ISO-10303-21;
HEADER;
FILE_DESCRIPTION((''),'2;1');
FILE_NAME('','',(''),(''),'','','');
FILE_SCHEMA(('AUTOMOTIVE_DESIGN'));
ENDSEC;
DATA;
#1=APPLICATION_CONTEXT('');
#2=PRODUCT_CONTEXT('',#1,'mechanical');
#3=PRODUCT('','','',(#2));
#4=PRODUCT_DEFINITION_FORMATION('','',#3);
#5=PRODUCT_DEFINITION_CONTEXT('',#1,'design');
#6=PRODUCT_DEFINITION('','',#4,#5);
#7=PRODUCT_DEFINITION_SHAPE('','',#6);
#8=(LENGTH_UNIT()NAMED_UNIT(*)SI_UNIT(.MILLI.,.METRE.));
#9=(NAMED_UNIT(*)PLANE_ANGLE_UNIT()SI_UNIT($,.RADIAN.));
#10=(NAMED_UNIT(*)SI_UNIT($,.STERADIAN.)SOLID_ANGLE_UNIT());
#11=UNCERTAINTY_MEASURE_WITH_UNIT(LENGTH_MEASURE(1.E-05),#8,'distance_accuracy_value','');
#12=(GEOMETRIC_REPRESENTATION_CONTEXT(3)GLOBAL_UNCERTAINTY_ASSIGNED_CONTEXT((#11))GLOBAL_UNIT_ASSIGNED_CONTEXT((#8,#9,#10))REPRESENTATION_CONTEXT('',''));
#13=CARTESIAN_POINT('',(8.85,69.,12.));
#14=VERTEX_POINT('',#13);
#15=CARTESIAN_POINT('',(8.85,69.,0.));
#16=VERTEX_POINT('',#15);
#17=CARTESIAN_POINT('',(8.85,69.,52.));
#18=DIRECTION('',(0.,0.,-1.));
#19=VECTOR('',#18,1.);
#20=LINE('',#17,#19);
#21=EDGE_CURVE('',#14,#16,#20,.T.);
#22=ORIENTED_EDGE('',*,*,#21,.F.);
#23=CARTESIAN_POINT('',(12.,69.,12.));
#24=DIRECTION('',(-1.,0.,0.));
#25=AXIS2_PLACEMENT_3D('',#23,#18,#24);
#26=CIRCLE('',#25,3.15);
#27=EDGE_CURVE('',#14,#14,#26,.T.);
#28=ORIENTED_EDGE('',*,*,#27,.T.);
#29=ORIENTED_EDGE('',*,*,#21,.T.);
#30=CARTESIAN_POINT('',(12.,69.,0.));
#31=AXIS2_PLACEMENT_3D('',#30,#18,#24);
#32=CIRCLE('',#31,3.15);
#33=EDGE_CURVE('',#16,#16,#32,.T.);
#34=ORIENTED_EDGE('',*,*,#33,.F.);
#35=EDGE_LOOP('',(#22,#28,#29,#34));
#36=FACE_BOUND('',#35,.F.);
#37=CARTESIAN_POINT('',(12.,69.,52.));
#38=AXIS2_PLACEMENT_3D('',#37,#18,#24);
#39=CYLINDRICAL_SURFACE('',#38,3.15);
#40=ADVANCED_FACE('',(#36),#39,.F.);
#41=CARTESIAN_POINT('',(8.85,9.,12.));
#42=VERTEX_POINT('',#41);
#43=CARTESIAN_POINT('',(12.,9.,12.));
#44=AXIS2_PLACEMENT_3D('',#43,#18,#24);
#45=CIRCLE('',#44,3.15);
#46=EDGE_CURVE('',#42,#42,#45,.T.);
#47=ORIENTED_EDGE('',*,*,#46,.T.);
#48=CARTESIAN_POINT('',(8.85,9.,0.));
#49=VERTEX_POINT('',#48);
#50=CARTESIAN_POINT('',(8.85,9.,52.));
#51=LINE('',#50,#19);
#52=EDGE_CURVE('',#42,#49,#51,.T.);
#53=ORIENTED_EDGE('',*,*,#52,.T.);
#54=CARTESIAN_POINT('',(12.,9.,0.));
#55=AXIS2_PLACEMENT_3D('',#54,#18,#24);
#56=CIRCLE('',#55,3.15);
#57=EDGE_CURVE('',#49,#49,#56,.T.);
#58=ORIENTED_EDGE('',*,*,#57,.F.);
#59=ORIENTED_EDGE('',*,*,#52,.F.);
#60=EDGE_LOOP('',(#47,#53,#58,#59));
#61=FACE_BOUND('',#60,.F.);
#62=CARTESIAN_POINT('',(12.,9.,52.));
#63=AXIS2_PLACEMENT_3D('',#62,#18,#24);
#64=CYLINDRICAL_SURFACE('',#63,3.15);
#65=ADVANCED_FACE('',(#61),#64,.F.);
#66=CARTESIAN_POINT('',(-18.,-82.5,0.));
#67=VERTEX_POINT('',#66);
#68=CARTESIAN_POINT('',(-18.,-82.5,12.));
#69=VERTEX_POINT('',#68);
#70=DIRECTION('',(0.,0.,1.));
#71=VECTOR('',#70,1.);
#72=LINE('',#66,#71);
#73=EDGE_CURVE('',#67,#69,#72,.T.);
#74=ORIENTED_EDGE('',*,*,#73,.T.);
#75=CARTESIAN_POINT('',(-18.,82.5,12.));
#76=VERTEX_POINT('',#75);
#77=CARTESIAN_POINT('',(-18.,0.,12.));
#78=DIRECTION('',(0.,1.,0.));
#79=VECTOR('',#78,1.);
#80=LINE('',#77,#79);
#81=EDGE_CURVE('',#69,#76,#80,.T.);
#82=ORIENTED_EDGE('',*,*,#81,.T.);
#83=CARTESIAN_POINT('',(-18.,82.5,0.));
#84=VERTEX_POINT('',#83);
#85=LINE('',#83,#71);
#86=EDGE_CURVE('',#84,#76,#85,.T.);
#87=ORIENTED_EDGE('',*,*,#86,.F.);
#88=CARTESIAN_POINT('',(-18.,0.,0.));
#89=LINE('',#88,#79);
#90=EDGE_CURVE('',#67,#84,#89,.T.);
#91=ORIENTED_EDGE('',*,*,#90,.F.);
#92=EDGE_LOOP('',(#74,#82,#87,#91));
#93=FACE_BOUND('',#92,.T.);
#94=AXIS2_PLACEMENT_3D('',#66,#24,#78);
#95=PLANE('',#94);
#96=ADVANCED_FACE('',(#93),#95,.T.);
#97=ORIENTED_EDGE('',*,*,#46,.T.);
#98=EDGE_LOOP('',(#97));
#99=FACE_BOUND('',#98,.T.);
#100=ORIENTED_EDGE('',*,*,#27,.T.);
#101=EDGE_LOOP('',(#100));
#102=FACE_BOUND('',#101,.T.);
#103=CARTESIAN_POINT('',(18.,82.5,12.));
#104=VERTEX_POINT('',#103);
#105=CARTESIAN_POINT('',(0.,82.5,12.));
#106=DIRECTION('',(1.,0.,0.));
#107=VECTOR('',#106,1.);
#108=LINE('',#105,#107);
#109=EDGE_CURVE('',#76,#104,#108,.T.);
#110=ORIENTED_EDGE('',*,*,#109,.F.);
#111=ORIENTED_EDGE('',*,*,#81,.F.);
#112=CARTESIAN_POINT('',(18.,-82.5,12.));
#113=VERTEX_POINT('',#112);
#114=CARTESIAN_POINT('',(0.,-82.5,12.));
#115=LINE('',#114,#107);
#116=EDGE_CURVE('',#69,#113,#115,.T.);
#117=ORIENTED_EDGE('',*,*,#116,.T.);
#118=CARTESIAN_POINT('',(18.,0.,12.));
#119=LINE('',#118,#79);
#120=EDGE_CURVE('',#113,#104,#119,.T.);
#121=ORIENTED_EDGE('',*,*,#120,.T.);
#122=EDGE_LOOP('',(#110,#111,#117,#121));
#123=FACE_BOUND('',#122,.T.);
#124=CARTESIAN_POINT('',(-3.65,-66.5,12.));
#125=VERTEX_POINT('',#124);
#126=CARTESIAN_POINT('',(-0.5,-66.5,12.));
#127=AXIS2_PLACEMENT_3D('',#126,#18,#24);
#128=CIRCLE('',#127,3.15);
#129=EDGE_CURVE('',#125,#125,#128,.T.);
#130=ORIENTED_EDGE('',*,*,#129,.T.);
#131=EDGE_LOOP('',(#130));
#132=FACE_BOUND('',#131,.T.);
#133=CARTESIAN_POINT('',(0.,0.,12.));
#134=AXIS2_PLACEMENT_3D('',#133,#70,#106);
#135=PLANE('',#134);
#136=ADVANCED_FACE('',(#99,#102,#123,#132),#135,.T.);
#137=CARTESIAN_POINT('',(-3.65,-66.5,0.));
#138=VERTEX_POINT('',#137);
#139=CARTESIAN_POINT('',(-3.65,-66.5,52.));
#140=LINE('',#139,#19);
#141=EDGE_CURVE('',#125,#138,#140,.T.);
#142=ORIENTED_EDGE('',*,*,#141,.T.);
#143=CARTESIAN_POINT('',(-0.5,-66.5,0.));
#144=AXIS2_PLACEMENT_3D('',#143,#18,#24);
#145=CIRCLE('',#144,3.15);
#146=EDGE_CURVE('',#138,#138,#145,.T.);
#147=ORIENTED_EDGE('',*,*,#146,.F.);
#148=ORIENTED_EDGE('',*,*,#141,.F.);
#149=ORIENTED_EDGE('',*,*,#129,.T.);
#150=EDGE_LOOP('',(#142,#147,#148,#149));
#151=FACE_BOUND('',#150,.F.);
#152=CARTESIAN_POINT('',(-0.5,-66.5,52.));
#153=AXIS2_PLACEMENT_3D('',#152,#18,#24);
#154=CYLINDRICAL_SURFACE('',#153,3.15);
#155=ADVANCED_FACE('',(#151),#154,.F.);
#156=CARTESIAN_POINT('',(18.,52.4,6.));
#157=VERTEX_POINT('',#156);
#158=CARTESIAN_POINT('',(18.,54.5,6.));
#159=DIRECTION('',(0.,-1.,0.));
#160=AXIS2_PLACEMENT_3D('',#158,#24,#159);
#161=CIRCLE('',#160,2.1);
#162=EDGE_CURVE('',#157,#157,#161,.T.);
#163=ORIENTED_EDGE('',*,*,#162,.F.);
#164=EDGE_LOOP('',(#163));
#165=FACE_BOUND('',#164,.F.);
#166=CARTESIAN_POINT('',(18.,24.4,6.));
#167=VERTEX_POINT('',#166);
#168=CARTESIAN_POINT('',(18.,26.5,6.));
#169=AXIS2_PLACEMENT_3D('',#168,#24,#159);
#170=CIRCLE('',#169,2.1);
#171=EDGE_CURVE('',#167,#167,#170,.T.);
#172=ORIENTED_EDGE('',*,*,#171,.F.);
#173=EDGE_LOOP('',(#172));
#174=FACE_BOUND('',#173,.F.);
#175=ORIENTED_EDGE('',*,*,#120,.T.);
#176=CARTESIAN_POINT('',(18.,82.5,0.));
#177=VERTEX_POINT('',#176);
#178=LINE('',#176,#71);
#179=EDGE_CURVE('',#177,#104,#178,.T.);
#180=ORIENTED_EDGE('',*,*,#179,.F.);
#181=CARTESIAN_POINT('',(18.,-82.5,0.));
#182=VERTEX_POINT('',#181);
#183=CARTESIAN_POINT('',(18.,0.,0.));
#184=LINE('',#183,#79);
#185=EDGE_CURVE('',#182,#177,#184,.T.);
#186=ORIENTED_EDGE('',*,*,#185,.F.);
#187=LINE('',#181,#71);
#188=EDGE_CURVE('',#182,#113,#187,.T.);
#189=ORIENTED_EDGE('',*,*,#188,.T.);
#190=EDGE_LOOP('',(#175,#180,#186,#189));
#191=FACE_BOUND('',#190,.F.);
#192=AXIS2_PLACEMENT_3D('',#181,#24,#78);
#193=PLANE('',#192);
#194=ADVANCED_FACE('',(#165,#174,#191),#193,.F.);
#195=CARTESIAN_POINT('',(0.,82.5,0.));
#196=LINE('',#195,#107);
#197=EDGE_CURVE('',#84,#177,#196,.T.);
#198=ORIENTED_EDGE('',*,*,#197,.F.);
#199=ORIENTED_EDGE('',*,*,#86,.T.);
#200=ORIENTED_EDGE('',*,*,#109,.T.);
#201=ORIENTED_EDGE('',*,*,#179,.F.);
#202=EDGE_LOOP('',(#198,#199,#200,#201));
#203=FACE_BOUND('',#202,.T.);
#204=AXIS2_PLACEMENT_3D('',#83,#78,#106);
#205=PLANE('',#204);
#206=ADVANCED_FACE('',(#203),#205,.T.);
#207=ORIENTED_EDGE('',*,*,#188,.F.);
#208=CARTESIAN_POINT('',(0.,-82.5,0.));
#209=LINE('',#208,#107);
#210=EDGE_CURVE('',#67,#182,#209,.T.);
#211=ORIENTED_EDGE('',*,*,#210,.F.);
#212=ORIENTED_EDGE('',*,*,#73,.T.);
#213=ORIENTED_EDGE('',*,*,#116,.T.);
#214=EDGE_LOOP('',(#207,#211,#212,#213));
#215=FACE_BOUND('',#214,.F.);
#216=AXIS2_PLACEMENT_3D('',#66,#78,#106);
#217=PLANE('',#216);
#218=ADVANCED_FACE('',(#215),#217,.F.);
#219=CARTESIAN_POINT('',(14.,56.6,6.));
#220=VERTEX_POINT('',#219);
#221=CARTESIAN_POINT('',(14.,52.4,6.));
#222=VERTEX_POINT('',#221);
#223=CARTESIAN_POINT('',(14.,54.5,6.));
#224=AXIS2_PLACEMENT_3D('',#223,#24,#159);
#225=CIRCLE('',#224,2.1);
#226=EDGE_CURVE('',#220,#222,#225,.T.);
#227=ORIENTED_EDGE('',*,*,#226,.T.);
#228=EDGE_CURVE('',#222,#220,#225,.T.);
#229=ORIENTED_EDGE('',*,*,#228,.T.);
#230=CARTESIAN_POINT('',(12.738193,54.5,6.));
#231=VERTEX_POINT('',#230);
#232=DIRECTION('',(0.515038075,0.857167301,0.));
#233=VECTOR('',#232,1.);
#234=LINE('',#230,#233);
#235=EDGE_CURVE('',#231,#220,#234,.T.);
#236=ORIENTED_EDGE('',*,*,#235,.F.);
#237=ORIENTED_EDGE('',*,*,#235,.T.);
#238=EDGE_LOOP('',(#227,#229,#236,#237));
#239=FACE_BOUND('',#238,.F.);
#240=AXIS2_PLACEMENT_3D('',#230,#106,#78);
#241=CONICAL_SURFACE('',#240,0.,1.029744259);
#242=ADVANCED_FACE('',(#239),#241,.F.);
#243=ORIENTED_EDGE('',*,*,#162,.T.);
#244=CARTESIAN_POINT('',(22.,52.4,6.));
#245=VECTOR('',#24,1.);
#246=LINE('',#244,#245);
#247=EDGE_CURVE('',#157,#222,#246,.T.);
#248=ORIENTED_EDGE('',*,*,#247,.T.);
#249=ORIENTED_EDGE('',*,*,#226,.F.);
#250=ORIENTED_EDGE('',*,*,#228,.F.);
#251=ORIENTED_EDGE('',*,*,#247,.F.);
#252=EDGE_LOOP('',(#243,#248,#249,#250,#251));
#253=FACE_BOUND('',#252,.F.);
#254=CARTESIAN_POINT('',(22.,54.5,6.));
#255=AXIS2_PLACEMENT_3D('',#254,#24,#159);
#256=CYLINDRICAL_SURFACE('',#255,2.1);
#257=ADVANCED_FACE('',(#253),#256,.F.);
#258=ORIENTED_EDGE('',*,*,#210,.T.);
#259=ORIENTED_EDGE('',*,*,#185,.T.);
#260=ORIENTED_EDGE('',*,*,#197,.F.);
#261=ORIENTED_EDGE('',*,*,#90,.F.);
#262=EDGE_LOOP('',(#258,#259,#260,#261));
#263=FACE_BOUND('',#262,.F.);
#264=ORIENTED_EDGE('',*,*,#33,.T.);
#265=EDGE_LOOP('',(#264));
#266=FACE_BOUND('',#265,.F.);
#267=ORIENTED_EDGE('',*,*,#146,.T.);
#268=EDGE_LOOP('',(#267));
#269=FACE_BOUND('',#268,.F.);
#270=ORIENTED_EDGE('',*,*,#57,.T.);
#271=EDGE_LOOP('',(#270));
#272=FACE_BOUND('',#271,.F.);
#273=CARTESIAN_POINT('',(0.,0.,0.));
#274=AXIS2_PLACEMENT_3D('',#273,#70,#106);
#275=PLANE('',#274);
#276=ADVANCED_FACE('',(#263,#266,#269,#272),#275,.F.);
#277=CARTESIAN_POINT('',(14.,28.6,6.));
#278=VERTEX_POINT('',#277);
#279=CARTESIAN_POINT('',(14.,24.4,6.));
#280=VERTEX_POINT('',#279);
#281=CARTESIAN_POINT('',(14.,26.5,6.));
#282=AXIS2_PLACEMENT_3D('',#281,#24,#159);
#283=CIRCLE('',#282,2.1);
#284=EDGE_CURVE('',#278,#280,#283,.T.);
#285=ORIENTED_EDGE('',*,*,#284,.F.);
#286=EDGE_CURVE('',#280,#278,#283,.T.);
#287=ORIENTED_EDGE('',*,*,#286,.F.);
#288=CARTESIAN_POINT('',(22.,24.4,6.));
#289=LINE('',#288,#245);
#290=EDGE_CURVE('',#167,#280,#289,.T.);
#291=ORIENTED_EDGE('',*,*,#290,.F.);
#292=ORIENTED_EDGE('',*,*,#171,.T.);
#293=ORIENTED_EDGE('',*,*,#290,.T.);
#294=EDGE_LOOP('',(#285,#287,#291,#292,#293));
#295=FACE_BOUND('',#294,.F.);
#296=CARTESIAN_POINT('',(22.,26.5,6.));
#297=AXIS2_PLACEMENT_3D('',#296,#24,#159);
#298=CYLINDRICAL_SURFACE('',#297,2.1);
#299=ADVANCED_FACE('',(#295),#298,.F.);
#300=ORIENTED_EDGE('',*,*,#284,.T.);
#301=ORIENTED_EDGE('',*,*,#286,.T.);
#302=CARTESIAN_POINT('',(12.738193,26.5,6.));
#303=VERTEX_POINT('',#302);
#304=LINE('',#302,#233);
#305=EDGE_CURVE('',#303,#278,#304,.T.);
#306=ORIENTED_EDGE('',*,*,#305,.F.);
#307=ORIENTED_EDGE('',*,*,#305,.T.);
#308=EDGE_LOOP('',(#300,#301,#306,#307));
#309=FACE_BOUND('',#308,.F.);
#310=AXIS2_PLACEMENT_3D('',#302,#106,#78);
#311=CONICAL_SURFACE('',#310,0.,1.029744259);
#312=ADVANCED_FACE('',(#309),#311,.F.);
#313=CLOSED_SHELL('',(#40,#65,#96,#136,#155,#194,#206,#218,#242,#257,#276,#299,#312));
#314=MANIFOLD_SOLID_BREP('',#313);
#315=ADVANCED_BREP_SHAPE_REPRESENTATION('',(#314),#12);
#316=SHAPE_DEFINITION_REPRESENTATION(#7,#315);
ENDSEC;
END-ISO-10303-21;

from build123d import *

# Parameters (mm, degrees)
F0_W     = 36
F0_H     = 165
F1_DEPTH = 12
F3_D     = 6.3
F3_DEPTH = 40
F3_TIP   = 1.8927109499
F5_D     = 4.2
F5_DEPTH = 4
F5_TIP   = 1.2618073


with BuildPart() as f1:
    # F0 (on Top) → F1 (new body)
    with BuildSketch(Plane.XY):
        Rectangle(F0_W, F0_H)
    extrude(amount=F1_DEPTH)

    # F3
    with Locations(Plane.XY.offset(12)):
        with Locations((-0.5, -66.5), (12, 9), (12, 69)):
            Hole(F3_D / 2, depth=F3_DEPTH)
            with Locations((0, 0, -(F3_DEPTH + F3_TIP / 2))):  # 118° drill point
                Cone(0, F3_D / 2, F3_TIP, mode=Mode.SUBTRACT)

    # F5
    with Locations(Plane.YZ.offset(18)):
        with Locations((26.5, 6), (54.5, 6)):
            Hole(F5_D / 2, depth=F5_DEPTH)
            with Locations((0, 0, -(F5_DEPTH + F5_TIP / 2))):  # 118° drill point
                Cone(0, F5_D / 2, F5_TIP, mode=Mode.SUBTRACT)


solid = f1.part
